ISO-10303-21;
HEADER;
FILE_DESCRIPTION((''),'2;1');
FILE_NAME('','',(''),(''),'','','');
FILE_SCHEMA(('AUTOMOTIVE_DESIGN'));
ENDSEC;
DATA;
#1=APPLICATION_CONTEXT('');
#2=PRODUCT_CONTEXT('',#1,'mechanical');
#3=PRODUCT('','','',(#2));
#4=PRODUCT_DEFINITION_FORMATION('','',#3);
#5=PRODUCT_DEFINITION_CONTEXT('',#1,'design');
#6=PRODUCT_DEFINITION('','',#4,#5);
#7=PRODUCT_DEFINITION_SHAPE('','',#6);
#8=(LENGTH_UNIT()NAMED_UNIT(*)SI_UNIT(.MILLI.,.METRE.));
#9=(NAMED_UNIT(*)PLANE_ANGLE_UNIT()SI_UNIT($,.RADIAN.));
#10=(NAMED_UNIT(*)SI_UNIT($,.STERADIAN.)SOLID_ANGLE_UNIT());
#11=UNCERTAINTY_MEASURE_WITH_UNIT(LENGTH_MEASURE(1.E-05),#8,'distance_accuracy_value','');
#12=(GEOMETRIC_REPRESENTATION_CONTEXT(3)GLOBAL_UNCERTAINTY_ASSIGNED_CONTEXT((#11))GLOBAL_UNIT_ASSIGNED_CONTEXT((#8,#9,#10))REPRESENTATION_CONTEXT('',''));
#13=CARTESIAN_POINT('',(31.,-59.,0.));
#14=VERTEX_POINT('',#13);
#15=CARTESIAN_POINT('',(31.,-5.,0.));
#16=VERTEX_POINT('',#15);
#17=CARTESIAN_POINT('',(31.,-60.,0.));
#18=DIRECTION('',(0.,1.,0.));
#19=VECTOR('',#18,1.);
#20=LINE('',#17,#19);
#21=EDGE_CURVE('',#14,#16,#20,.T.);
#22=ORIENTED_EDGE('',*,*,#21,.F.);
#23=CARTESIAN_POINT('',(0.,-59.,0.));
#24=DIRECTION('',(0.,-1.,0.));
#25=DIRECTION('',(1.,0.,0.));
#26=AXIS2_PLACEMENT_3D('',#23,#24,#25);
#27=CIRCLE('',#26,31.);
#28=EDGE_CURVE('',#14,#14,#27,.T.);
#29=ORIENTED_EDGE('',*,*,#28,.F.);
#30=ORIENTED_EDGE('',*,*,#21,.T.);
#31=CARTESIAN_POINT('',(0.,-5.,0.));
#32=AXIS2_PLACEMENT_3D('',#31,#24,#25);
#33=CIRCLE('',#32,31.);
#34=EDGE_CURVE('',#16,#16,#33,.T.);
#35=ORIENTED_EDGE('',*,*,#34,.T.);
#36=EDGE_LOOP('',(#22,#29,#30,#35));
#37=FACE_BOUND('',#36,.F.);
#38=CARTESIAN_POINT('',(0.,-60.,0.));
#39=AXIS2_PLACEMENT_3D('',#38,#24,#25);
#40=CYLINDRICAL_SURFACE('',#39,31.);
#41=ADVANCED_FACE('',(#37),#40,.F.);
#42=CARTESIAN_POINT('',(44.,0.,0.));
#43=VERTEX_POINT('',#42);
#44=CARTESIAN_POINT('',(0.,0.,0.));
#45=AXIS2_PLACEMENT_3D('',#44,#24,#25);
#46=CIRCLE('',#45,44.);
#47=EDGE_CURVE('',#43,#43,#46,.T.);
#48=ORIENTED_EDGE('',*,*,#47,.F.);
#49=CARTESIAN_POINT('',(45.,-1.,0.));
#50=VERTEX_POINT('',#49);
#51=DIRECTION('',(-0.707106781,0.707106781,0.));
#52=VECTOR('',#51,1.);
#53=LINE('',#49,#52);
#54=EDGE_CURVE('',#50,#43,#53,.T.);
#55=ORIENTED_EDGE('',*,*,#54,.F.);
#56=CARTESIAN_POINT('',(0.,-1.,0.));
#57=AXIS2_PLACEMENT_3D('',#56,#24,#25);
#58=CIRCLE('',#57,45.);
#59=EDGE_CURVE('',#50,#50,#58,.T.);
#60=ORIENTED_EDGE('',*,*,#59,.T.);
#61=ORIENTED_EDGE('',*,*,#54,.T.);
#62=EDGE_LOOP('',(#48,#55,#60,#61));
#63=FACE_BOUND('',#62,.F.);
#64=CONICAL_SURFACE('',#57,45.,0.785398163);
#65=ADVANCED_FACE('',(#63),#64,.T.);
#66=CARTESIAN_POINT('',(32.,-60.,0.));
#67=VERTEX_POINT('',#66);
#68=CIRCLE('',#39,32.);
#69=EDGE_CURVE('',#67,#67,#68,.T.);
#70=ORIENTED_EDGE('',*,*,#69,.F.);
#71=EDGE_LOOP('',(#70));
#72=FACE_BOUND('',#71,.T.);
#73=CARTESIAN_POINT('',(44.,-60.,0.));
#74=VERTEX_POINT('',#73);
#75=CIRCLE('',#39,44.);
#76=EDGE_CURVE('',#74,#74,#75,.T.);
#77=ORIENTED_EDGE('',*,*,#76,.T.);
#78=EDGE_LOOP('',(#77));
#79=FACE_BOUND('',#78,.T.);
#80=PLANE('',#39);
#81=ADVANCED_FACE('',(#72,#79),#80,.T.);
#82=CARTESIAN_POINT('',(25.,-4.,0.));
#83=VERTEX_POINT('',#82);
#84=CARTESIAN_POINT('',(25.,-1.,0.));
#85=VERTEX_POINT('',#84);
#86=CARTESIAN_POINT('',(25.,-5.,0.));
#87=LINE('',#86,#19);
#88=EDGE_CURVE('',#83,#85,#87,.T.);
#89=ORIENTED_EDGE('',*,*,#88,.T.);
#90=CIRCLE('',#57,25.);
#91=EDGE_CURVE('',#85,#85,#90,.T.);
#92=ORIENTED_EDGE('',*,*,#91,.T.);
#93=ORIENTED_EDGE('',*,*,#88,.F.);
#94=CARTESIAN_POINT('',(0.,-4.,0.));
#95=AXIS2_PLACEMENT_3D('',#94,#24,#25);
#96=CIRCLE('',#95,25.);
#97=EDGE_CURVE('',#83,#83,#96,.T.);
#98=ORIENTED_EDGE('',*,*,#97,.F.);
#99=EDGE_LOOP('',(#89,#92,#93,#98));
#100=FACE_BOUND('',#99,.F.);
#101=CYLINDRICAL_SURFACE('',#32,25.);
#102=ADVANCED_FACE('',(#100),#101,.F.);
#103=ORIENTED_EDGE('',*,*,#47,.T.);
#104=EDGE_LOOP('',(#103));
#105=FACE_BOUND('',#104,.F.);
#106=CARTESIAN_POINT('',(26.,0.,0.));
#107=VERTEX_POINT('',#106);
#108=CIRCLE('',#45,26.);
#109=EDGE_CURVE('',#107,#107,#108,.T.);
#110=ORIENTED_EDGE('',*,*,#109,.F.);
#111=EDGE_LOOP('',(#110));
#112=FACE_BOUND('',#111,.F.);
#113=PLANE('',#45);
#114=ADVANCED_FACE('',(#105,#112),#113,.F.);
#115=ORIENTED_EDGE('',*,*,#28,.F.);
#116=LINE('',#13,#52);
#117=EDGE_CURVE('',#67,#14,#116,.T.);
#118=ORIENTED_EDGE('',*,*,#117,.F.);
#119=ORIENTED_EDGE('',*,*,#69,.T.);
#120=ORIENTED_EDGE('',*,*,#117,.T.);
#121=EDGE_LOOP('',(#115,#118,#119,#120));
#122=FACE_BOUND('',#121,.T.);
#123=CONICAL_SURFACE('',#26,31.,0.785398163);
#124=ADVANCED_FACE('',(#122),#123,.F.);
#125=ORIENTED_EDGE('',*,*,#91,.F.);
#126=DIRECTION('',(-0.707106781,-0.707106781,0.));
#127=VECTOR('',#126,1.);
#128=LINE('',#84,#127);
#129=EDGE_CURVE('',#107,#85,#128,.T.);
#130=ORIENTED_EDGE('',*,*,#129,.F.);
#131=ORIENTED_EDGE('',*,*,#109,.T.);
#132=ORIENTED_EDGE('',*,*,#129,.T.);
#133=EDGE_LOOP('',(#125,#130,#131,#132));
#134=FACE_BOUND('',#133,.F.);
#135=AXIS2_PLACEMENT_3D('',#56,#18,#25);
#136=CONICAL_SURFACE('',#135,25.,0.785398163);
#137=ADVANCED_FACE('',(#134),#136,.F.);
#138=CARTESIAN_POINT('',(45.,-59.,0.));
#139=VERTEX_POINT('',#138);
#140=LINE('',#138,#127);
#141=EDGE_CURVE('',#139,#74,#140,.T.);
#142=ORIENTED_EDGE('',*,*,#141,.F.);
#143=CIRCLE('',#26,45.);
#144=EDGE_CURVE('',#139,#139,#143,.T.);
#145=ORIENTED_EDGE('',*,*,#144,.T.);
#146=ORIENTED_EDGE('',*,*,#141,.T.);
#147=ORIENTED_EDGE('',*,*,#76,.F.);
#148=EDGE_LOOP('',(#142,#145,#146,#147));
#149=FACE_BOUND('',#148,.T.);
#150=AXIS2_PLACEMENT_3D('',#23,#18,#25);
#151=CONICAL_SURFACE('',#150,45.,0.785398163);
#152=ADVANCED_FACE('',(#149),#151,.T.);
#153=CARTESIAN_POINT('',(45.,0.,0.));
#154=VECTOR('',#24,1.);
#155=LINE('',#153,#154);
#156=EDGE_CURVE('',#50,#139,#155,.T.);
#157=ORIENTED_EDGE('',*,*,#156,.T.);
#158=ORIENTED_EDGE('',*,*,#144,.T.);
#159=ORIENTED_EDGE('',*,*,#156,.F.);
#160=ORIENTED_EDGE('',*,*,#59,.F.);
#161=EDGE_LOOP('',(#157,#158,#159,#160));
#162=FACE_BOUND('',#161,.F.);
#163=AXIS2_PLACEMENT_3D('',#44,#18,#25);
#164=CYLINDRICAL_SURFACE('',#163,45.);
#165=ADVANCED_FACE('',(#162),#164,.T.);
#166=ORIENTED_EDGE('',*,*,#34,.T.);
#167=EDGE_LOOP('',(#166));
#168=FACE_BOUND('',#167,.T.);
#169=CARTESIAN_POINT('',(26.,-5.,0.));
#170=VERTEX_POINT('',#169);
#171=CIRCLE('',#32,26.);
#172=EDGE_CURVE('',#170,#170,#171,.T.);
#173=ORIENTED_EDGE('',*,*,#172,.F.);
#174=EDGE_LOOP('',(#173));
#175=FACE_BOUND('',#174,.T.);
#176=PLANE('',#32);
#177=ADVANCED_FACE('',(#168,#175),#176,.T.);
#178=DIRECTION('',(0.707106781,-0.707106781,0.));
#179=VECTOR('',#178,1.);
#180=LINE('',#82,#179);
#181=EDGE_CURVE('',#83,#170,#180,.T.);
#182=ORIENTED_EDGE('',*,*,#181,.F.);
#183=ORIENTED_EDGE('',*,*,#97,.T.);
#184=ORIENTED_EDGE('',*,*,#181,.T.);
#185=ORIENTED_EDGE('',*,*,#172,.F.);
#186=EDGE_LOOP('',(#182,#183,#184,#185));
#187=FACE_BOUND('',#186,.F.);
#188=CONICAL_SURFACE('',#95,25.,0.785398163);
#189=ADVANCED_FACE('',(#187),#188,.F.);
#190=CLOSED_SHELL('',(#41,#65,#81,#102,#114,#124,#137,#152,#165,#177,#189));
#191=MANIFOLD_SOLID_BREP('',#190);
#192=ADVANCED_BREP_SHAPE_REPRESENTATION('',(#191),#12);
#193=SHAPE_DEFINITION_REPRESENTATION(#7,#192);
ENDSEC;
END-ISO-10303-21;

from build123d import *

# Parameters (mm, degrees)
F0_R     = 45
F1_DEPTH = 60
F2_R     = 31
F3_DEPTH = 55
F4_R     = 25
F5_DEPTH = 25
F6_SIZE  = 1


with BuildPart() as f1:
    # F0 (on Front) → F1 (new body)
    with BuildSketch(Plane.XZ):
        Circle(F0_R)
    extrude(amount=F1_DEPTH)

    # F2 (on face) → F3 (cut)
    with BuildSketch(Plane.XZ.offset(60)):
        Circle(F2_R)
    extrude(amount=-F3_DEPTH, mode=Mode.SUBTRACT)

    # F4 (on face) → F5 (cut)
    with BuildSketch(Plane.XZ.offset(5)):
        Circle(F4_R)
    extrude(amount=-F5_DEPTH, mode=Mode.SUBTRACT)

    # F6
    f6_edges = [f1.edges().sort_by_distance(p)[0] for p in [
        (-45, -60, 0),
        (-31, -60, 0),
        (-45, 0, 0),
        (-25, 0, 0),
        (-25, -5, 0),
    ]]
    chamfer(f6_edges, length=F6_SIZE)


solid = f1.part
